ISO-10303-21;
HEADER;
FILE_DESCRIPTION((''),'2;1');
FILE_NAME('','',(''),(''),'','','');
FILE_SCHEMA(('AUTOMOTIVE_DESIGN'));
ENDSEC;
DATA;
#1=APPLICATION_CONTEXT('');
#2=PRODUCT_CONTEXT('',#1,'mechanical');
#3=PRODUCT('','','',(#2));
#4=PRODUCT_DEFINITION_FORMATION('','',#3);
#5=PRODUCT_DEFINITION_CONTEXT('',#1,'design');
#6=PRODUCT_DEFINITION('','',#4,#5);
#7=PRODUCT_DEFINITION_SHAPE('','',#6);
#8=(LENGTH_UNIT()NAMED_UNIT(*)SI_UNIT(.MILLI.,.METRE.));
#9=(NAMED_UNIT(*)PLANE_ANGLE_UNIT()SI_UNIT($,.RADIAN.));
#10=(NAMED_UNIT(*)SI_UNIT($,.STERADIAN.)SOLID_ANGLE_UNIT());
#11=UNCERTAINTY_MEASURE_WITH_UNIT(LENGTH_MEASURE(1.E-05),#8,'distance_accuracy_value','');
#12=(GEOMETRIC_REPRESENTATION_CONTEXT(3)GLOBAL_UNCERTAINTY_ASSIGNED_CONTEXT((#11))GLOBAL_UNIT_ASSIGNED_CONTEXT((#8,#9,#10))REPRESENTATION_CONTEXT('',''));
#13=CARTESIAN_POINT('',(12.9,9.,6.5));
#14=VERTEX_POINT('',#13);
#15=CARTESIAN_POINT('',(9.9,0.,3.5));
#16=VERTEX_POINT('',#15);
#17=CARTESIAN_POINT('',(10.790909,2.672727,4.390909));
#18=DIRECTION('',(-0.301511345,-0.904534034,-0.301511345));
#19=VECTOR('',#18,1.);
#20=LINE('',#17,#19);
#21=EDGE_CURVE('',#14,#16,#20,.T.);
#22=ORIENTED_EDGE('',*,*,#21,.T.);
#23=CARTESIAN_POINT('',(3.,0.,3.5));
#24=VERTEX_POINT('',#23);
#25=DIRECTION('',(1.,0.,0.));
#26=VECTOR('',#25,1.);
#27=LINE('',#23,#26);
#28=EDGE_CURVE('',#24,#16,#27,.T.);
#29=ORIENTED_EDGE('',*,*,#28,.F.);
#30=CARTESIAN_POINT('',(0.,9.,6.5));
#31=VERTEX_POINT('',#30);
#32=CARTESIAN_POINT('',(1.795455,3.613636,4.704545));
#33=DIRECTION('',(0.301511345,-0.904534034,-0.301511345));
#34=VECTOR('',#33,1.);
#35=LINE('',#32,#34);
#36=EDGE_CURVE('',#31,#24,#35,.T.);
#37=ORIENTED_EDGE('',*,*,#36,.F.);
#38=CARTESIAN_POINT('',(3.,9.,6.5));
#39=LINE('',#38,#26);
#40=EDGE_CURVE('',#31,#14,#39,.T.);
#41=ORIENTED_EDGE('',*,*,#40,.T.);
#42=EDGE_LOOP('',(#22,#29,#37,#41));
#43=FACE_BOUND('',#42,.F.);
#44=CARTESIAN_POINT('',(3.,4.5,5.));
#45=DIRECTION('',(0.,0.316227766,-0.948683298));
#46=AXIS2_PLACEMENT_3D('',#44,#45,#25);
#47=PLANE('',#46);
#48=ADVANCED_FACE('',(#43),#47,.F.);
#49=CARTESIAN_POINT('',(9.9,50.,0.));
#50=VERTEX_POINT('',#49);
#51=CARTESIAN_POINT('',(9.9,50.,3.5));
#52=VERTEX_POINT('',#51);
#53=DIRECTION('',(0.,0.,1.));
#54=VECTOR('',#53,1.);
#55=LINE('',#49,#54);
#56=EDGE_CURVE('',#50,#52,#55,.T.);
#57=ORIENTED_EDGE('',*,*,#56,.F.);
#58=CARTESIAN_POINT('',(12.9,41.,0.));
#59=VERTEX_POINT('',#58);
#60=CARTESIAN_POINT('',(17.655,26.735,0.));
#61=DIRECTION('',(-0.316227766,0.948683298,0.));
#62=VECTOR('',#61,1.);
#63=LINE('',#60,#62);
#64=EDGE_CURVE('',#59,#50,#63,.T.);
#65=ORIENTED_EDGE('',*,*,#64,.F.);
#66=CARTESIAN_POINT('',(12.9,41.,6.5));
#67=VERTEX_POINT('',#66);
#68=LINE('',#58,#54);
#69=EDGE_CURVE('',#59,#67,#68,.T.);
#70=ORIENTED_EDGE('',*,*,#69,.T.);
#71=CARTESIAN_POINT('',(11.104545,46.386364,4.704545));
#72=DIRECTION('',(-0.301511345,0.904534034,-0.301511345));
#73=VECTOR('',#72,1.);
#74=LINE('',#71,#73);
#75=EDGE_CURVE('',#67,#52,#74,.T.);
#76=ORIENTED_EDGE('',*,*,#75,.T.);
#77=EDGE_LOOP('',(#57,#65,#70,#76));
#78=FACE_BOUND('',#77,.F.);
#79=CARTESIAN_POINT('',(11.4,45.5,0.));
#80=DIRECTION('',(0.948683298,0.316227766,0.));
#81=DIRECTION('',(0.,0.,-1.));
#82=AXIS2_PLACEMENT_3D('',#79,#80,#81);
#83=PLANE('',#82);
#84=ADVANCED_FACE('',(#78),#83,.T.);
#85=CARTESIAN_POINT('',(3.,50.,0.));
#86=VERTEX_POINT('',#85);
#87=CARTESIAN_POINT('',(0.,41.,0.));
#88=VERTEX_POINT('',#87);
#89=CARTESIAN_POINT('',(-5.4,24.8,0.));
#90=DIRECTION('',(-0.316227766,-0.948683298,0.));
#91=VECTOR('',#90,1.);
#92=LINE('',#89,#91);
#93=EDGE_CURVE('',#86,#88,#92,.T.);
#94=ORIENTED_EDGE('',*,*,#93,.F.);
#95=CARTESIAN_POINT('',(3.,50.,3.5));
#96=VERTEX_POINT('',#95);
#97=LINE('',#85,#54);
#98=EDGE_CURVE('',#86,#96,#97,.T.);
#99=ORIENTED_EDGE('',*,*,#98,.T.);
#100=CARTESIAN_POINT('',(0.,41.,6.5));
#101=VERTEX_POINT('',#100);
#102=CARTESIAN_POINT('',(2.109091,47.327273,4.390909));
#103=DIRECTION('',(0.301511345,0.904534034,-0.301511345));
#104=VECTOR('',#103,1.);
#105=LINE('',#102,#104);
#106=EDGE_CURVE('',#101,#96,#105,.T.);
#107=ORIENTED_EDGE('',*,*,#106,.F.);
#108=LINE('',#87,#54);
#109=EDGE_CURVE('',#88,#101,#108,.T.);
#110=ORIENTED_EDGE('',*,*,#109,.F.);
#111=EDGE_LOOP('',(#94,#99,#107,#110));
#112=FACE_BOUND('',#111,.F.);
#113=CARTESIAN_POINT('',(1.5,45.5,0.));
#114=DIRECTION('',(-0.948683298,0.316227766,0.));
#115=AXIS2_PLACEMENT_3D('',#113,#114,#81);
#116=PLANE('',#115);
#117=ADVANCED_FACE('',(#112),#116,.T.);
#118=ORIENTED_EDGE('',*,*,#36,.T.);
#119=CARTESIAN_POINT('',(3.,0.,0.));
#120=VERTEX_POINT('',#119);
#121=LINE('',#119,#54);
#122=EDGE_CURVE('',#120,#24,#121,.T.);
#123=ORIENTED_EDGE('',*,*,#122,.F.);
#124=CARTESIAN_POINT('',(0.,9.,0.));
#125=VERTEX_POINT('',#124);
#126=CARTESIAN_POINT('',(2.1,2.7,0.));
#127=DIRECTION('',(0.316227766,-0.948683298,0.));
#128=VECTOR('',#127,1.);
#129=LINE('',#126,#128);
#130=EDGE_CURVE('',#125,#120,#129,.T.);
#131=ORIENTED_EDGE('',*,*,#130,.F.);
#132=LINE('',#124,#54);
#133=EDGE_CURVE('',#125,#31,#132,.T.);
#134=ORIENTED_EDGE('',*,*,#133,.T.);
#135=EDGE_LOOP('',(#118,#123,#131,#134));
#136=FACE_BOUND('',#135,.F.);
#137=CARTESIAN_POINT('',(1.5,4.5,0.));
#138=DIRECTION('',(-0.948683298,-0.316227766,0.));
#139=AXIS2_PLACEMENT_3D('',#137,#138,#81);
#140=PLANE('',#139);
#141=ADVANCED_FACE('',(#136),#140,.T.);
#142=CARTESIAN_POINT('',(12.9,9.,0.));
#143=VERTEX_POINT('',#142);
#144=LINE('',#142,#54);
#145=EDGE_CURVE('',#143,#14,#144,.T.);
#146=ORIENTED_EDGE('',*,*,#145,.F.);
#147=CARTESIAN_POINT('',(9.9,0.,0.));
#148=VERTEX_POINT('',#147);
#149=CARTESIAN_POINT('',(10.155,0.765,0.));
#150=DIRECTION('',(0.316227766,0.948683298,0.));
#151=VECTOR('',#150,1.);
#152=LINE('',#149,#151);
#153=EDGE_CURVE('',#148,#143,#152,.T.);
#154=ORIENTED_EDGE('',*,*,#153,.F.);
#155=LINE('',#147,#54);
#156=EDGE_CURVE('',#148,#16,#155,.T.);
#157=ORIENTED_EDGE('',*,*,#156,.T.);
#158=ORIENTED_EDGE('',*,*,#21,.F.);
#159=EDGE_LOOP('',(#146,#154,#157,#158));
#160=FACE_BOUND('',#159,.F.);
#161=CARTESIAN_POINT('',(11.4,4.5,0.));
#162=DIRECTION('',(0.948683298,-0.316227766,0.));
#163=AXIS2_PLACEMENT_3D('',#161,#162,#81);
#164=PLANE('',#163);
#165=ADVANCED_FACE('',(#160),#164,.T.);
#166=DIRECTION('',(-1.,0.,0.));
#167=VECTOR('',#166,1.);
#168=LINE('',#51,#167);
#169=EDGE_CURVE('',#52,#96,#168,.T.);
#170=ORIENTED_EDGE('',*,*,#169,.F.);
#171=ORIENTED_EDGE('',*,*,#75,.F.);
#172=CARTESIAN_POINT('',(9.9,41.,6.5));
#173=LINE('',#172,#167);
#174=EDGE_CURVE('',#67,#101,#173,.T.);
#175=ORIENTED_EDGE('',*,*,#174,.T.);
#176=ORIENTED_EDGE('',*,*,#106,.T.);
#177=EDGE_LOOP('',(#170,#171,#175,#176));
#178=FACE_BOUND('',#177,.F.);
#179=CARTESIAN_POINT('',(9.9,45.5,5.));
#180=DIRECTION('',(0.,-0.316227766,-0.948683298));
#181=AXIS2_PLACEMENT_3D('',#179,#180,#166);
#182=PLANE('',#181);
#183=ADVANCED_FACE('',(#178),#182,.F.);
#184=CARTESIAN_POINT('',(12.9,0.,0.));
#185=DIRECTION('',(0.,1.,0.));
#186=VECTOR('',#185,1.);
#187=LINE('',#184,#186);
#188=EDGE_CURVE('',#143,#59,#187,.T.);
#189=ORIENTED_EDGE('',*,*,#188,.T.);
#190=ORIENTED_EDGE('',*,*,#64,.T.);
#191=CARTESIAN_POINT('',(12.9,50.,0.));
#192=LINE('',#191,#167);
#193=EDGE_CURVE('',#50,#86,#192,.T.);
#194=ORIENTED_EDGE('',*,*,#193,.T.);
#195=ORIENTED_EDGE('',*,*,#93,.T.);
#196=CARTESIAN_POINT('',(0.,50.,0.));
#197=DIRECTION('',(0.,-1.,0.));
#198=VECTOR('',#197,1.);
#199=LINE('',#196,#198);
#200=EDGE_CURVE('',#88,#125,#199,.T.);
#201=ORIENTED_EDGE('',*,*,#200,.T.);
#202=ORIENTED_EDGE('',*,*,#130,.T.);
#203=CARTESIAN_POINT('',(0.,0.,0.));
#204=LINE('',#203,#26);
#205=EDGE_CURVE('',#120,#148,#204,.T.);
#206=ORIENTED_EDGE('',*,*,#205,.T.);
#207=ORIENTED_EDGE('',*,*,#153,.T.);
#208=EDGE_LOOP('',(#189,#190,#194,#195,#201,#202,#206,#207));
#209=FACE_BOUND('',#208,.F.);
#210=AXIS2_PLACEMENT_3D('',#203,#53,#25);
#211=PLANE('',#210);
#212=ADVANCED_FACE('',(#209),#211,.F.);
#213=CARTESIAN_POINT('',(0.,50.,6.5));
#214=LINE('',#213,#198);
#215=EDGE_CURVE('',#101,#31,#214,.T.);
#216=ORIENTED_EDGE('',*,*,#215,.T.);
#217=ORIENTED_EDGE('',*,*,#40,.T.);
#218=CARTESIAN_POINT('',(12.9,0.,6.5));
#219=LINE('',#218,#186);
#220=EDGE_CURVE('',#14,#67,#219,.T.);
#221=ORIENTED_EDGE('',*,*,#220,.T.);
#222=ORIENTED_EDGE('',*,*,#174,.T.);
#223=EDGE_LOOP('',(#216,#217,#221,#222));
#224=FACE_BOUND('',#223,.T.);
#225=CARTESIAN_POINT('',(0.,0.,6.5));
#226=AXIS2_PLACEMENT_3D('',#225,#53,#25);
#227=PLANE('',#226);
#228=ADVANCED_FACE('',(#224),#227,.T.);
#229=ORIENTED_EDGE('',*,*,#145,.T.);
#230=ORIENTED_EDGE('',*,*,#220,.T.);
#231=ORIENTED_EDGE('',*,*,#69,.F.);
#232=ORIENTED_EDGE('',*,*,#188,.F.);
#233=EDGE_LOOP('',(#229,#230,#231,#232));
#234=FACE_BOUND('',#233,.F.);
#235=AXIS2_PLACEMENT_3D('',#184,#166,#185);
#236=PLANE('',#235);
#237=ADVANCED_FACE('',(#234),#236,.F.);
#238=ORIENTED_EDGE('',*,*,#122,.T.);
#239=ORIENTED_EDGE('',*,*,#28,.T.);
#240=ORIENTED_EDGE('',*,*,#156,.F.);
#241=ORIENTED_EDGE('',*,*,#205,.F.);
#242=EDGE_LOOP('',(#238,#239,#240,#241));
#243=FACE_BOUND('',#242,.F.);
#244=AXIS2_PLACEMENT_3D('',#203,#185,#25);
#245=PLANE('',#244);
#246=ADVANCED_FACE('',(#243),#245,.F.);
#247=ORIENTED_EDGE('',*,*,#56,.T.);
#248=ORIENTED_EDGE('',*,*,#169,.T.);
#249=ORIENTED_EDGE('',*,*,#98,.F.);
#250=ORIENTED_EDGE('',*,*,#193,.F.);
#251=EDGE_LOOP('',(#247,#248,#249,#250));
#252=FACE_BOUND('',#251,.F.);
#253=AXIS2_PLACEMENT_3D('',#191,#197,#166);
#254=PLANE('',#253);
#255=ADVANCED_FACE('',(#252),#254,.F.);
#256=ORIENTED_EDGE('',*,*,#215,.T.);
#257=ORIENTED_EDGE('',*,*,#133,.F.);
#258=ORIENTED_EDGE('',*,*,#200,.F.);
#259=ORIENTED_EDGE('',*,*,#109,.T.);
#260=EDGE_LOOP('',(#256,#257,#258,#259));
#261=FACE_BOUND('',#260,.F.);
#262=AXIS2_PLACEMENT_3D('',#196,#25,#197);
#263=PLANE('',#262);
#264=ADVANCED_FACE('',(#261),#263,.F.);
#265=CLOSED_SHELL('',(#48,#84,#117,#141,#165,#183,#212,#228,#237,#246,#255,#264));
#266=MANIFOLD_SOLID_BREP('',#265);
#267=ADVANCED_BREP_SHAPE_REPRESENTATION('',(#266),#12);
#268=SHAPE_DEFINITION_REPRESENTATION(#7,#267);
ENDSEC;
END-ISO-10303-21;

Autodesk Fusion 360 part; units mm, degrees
sketch "Sketch1" plane through (0, 0, 0) normal (0, 0, 1) x (1, 0, 0)
  line L0 (0, 0) -> (12.9, 0)
  line L1 (12.9, 0) -> (12.9, 50)
  line L2 (12.9, 50) -> (0, 50)
  line L3 (0, 50) -> (0, 0)
  dimension "d1" = 12.9
  dimension "d2" = 50
extrude "Extrude1" add sketch "Sketch1" along normal blind 6.5
chamfer "Chamfer1" distance 9 distance2 3 2 edges at (0, 0, 3.25) (12.9, 50, 3.25) measured on face at (0, 33.3333, 4.3333) measured on face at (12.9, 16.6667, 4.3333)
chamfer "Chamfer2" distance 3 distance2 9 2 edges at (12.9, 0, 3.25) (0, 50, 3.25) measured on face at (6.3, 0, 2.1667) measured on face at (6.6, 50, 2.1667)
chamfer "Chamfer3" distance 9 distance2 3 1 edges at (6.45, 50, 6.5) measured on face at (4.3, 19.6667, 6.5)
chamfer "Chamfer4" distance 9 distance2 3 1 edges at (6.45, 0, 6.5) measured on face at (4.3, 30.3333, 6.5)
equation "d5 = splinter"
equation "d8 = splinter"
equation "d9 = splinter"
equation "d11 = splinter"
equation "splinter = 9 mm"
